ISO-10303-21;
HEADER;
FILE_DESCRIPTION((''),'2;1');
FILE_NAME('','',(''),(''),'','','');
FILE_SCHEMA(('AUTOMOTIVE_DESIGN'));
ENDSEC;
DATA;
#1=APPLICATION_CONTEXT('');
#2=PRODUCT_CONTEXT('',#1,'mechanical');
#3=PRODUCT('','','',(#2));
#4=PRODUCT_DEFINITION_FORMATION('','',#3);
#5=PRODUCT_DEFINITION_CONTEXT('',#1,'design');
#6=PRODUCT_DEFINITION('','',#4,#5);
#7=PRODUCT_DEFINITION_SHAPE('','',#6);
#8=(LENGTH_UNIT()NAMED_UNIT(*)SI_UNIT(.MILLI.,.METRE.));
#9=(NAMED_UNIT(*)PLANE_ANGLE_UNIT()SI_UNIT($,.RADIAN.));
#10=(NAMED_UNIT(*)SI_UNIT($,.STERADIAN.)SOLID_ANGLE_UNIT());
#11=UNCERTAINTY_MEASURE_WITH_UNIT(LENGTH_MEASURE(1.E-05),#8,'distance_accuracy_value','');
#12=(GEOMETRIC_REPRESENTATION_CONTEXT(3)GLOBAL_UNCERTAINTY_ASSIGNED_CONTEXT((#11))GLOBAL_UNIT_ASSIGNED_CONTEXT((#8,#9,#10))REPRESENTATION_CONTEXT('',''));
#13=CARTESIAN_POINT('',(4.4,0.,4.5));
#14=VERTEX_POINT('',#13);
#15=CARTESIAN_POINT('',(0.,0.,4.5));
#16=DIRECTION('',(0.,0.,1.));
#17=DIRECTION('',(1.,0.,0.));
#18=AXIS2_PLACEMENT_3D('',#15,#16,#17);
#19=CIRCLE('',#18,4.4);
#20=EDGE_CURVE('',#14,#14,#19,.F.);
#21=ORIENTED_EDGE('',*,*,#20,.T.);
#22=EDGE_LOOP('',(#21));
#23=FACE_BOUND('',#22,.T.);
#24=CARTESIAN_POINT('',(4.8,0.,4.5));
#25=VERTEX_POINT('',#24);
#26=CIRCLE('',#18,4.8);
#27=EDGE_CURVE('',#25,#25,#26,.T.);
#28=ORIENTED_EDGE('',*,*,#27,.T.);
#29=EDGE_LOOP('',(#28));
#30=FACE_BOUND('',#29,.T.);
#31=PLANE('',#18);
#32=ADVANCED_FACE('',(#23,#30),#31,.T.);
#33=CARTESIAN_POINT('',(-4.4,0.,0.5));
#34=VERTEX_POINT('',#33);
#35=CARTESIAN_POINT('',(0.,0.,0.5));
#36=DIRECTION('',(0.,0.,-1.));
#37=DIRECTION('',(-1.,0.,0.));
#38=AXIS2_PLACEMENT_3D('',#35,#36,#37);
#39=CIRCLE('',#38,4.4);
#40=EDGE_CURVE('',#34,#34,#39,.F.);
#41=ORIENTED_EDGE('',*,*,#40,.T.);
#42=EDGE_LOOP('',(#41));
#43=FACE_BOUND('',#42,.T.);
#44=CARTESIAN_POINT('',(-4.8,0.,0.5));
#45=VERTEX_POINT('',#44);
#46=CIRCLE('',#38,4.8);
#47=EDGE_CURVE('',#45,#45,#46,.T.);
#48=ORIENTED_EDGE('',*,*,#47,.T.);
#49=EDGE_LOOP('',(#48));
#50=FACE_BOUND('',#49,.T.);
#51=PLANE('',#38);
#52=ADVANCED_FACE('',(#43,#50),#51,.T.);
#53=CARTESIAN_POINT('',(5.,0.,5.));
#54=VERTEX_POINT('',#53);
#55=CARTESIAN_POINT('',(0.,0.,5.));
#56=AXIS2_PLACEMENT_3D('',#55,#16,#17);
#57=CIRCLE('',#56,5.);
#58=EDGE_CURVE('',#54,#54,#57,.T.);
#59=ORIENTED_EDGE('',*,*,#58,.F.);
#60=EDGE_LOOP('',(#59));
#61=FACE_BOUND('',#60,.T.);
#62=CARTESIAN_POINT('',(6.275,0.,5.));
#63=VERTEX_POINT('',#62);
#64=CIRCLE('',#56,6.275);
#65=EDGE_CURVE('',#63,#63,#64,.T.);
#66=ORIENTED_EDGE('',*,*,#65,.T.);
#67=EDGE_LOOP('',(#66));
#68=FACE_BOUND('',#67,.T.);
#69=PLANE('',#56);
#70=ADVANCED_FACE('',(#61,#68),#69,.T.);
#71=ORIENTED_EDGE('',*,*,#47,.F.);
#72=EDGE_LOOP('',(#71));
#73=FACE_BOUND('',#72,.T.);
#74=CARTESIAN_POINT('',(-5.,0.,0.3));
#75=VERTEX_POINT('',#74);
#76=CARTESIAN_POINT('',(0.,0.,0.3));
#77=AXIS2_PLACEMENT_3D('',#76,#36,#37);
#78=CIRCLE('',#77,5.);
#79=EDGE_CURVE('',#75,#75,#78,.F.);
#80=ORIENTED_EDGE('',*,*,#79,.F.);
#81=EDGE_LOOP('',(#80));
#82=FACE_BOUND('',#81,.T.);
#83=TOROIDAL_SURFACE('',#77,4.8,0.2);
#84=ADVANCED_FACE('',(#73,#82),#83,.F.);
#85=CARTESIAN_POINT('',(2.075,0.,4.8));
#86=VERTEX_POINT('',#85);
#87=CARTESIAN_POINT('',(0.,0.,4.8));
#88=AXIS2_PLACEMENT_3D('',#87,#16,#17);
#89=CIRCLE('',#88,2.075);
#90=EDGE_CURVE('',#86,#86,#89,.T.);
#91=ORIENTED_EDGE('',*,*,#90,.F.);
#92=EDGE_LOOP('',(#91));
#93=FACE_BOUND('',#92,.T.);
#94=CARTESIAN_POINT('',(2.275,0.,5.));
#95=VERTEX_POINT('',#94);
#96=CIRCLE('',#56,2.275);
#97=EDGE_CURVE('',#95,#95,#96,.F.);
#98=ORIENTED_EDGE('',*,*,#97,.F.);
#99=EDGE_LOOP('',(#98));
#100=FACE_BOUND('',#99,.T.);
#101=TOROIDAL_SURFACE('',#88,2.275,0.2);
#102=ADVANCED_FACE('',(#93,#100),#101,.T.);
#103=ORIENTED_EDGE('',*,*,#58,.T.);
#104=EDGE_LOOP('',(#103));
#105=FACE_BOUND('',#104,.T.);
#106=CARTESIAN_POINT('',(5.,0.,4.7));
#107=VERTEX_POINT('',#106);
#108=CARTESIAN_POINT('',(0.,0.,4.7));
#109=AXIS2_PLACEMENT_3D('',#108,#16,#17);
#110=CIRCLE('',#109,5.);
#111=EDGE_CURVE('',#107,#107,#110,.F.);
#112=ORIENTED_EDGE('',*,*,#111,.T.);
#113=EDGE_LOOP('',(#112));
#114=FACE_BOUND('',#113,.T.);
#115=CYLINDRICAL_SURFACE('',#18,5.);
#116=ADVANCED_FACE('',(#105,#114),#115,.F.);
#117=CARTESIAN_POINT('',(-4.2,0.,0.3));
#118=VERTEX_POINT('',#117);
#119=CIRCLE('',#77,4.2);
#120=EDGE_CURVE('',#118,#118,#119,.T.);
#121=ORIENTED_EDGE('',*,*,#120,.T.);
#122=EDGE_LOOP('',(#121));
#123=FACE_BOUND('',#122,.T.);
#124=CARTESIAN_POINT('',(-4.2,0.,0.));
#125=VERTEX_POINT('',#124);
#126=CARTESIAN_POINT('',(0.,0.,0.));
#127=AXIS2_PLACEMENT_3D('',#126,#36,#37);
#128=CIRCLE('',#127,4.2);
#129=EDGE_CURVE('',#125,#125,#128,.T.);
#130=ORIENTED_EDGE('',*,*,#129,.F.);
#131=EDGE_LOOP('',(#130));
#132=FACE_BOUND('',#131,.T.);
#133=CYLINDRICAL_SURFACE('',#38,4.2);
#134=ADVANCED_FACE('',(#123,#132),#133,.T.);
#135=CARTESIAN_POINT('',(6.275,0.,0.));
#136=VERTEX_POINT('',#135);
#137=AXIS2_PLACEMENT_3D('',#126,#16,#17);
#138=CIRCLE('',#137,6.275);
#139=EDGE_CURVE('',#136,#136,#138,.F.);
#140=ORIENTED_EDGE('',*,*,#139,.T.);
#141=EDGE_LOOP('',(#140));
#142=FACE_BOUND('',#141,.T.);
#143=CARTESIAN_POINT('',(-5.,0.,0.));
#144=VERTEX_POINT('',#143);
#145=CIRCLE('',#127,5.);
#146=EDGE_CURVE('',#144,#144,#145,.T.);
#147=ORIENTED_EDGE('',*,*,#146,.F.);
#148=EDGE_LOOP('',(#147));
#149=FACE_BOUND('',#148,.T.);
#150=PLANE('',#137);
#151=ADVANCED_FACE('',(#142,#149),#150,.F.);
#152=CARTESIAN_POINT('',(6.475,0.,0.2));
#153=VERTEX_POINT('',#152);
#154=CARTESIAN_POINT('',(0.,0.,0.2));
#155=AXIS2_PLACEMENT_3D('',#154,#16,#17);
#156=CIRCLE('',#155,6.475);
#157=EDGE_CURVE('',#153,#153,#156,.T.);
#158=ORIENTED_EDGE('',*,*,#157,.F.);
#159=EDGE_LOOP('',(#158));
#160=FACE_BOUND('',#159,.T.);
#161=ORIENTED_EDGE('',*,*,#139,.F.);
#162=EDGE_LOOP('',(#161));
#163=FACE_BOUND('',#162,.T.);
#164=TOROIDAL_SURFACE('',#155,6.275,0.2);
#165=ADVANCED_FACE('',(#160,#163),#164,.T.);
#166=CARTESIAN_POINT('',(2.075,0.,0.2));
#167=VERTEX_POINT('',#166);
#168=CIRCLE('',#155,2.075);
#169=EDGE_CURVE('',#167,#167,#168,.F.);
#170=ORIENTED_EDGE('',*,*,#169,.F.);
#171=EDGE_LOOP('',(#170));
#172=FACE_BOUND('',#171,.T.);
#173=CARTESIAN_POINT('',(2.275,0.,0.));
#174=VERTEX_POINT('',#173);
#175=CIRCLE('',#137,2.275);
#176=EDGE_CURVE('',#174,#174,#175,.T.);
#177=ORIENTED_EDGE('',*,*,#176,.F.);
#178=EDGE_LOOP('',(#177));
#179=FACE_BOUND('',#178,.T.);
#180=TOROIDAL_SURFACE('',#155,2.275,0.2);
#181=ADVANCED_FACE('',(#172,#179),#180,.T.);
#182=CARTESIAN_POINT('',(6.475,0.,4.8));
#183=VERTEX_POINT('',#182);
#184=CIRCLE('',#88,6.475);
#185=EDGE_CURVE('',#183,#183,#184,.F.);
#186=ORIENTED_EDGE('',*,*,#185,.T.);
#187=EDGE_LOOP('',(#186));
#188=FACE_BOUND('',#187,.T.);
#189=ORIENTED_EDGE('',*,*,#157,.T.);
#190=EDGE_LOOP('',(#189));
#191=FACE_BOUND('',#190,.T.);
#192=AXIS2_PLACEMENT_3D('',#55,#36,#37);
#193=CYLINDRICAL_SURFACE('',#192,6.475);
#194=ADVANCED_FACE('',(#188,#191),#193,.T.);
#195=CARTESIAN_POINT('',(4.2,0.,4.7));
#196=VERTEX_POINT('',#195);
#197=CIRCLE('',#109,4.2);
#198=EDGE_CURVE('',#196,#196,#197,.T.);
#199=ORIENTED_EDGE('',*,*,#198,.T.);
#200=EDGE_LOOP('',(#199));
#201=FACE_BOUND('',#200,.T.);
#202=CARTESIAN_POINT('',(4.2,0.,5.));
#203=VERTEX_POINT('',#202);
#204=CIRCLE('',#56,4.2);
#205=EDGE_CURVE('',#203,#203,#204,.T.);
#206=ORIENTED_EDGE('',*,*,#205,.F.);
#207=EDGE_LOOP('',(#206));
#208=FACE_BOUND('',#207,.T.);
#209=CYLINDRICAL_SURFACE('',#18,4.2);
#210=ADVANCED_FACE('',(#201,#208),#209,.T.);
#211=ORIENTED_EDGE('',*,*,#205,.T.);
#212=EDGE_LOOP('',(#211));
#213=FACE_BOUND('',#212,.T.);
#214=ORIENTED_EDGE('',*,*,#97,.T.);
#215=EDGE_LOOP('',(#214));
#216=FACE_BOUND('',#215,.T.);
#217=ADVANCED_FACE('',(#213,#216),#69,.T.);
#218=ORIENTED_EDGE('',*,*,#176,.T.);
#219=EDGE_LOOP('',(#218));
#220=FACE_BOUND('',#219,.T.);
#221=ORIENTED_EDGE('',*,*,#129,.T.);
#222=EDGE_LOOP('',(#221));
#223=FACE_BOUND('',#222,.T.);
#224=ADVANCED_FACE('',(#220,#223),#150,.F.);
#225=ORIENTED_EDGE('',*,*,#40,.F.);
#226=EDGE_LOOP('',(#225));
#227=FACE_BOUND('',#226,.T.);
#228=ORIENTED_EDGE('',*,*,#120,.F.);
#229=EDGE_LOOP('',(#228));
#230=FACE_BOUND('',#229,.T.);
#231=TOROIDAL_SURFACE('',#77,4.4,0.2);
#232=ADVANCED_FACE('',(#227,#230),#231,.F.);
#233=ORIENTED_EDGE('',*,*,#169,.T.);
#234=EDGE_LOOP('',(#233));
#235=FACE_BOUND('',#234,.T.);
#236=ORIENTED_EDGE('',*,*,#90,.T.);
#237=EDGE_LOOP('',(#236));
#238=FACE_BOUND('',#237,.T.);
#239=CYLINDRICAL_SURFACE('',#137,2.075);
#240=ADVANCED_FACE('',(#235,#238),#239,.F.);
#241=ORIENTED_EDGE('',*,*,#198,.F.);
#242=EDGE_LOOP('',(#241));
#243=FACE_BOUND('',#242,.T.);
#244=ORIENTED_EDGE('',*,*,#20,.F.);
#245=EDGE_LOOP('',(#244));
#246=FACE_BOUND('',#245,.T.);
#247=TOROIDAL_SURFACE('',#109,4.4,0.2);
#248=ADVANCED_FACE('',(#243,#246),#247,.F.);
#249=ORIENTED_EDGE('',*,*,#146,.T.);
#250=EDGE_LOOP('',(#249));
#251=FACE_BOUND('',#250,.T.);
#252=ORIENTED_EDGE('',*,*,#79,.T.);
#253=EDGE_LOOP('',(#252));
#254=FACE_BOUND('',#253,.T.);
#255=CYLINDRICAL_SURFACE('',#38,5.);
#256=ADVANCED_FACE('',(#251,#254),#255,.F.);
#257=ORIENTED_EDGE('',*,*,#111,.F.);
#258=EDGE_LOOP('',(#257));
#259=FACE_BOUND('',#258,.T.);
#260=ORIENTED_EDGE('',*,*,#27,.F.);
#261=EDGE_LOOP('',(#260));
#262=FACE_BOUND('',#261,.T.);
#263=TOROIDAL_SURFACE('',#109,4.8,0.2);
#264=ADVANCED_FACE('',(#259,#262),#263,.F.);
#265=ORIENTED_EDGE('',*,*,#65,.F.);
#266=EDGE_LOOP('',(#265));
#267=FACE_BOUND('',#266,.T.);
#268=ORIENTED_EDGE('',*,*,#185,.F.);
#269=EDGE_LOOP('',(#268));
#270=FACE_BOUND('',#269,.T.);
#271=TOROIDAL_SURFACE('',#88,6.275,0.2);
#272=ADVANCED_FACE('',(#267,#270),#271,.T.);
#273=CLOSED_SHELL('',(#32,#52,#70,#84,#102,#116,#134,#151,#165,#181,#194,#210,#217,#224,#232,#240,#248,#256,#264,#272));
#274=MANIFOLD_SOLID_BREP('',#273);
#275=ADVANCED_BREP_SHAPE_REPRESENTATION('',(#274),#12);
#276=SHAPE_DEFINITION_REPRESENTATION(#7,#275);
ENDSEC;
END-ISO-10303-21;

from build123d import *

# Parameters (mm, degrees)
SKETCH1_R           = 6.475
BOSS_EXTRUDE1_DEPTH = 5
SKETCH2_R           = 2.075
CUT_EXTRUDE1_DEPTH  = 11.433180244
SKETCH3_R           = 5
SKETCH3_R_2         = 4.2
CUT_EXTRUDE2_DEPTH  = 0.5
FILLET1_R           = 0.2
CUT_EXTRUDE3_START  = -0.5
SKETCH4_R           = 5
SKETCH4_R_2         = 4.2
CUT_EXTRUDE3_DEPTH  = 0.5
FILLET2_R           = 0.2
FILLET3_R           = 0.2


with BuildPart() as part:
    # Sketch1 → Boss-Extrude1 (new body)
    with BuildSketch(Plane.XY):
        Circle(SKETCH1_R)
    extrude(amount=BOSS_EXTRUDE1_DEPTH)

    # Sketch2 → Cut-Extrude1 (cut, through all)
    with BuildSketch(Plane.XY.offset(5)):
        Circle(SKETCH2_R)
    extrude(amount=-CUT_EXTRUDE1_DEPTH, mode=Mode.SUBTRACT)

    # Sketch3 → Cut-Extrude2 (cut)
    with BuildSketch(Plane.XY.offset(5)):
        Circle(SKETCH3_R)
        Circle(SKETCH3_R_2, mode=Mode.SUBTRACT)
    extrude(amount=-CUT_EXTRUDE2_DEPTH, mode=Mode.SUBTRACT)

    # Fillet1
    fillet1_edges = [part.edges().sort_by_distance(p)[0] for p in [
        (-5, 0, 4.5),
        (-4.2, 0, 4.5),
    ]]
    fillet(fillet1_edges, radius=FILLET1_R)

    # Sketch4 → Cut-Extrude3 (cut)
    with BuildSketch(Plane(origin=(0, 0, 0), x_dir=(-1, 0, 0), z_dir=(0, 0, -1)).offset(CUT_EXTRUDE3_START)):
        with Locations(Location((0, 0, 0), (0, 0, 180))):
            Circle(SKETCH4_R)
        with Locations(Location((0, 0, 0), (0, 0, 180))):
            Circle(SKETCH4_R_2, mode=Mode.SUBTRACT)
    extrude(amount=CUT_EXTRUDE3_DEPTH, mode=Mode.SUBTRACT)

    # Fillet2
    fillet2_edges = [part.edges().sort_by_distance(p)[0] for p in [
        (-5, 0, 0.5),
        (-4.2, 0, 0.5),
    ]]
    fillet(fillet2_edges, radius=FILLET2_R)

    # Fillet3
    fillet3_edges = [part.edges().sort_by_distance(p)[0] for p in [
        (-6.475, 0, 0),
        (-6.475, 0, 5),
        (-2.075, 0, 0),
        (-2.075, 0, 5),
    ]]
    fillet(fillet3_edges, radius=FILLET3_R)


solid = part.part
